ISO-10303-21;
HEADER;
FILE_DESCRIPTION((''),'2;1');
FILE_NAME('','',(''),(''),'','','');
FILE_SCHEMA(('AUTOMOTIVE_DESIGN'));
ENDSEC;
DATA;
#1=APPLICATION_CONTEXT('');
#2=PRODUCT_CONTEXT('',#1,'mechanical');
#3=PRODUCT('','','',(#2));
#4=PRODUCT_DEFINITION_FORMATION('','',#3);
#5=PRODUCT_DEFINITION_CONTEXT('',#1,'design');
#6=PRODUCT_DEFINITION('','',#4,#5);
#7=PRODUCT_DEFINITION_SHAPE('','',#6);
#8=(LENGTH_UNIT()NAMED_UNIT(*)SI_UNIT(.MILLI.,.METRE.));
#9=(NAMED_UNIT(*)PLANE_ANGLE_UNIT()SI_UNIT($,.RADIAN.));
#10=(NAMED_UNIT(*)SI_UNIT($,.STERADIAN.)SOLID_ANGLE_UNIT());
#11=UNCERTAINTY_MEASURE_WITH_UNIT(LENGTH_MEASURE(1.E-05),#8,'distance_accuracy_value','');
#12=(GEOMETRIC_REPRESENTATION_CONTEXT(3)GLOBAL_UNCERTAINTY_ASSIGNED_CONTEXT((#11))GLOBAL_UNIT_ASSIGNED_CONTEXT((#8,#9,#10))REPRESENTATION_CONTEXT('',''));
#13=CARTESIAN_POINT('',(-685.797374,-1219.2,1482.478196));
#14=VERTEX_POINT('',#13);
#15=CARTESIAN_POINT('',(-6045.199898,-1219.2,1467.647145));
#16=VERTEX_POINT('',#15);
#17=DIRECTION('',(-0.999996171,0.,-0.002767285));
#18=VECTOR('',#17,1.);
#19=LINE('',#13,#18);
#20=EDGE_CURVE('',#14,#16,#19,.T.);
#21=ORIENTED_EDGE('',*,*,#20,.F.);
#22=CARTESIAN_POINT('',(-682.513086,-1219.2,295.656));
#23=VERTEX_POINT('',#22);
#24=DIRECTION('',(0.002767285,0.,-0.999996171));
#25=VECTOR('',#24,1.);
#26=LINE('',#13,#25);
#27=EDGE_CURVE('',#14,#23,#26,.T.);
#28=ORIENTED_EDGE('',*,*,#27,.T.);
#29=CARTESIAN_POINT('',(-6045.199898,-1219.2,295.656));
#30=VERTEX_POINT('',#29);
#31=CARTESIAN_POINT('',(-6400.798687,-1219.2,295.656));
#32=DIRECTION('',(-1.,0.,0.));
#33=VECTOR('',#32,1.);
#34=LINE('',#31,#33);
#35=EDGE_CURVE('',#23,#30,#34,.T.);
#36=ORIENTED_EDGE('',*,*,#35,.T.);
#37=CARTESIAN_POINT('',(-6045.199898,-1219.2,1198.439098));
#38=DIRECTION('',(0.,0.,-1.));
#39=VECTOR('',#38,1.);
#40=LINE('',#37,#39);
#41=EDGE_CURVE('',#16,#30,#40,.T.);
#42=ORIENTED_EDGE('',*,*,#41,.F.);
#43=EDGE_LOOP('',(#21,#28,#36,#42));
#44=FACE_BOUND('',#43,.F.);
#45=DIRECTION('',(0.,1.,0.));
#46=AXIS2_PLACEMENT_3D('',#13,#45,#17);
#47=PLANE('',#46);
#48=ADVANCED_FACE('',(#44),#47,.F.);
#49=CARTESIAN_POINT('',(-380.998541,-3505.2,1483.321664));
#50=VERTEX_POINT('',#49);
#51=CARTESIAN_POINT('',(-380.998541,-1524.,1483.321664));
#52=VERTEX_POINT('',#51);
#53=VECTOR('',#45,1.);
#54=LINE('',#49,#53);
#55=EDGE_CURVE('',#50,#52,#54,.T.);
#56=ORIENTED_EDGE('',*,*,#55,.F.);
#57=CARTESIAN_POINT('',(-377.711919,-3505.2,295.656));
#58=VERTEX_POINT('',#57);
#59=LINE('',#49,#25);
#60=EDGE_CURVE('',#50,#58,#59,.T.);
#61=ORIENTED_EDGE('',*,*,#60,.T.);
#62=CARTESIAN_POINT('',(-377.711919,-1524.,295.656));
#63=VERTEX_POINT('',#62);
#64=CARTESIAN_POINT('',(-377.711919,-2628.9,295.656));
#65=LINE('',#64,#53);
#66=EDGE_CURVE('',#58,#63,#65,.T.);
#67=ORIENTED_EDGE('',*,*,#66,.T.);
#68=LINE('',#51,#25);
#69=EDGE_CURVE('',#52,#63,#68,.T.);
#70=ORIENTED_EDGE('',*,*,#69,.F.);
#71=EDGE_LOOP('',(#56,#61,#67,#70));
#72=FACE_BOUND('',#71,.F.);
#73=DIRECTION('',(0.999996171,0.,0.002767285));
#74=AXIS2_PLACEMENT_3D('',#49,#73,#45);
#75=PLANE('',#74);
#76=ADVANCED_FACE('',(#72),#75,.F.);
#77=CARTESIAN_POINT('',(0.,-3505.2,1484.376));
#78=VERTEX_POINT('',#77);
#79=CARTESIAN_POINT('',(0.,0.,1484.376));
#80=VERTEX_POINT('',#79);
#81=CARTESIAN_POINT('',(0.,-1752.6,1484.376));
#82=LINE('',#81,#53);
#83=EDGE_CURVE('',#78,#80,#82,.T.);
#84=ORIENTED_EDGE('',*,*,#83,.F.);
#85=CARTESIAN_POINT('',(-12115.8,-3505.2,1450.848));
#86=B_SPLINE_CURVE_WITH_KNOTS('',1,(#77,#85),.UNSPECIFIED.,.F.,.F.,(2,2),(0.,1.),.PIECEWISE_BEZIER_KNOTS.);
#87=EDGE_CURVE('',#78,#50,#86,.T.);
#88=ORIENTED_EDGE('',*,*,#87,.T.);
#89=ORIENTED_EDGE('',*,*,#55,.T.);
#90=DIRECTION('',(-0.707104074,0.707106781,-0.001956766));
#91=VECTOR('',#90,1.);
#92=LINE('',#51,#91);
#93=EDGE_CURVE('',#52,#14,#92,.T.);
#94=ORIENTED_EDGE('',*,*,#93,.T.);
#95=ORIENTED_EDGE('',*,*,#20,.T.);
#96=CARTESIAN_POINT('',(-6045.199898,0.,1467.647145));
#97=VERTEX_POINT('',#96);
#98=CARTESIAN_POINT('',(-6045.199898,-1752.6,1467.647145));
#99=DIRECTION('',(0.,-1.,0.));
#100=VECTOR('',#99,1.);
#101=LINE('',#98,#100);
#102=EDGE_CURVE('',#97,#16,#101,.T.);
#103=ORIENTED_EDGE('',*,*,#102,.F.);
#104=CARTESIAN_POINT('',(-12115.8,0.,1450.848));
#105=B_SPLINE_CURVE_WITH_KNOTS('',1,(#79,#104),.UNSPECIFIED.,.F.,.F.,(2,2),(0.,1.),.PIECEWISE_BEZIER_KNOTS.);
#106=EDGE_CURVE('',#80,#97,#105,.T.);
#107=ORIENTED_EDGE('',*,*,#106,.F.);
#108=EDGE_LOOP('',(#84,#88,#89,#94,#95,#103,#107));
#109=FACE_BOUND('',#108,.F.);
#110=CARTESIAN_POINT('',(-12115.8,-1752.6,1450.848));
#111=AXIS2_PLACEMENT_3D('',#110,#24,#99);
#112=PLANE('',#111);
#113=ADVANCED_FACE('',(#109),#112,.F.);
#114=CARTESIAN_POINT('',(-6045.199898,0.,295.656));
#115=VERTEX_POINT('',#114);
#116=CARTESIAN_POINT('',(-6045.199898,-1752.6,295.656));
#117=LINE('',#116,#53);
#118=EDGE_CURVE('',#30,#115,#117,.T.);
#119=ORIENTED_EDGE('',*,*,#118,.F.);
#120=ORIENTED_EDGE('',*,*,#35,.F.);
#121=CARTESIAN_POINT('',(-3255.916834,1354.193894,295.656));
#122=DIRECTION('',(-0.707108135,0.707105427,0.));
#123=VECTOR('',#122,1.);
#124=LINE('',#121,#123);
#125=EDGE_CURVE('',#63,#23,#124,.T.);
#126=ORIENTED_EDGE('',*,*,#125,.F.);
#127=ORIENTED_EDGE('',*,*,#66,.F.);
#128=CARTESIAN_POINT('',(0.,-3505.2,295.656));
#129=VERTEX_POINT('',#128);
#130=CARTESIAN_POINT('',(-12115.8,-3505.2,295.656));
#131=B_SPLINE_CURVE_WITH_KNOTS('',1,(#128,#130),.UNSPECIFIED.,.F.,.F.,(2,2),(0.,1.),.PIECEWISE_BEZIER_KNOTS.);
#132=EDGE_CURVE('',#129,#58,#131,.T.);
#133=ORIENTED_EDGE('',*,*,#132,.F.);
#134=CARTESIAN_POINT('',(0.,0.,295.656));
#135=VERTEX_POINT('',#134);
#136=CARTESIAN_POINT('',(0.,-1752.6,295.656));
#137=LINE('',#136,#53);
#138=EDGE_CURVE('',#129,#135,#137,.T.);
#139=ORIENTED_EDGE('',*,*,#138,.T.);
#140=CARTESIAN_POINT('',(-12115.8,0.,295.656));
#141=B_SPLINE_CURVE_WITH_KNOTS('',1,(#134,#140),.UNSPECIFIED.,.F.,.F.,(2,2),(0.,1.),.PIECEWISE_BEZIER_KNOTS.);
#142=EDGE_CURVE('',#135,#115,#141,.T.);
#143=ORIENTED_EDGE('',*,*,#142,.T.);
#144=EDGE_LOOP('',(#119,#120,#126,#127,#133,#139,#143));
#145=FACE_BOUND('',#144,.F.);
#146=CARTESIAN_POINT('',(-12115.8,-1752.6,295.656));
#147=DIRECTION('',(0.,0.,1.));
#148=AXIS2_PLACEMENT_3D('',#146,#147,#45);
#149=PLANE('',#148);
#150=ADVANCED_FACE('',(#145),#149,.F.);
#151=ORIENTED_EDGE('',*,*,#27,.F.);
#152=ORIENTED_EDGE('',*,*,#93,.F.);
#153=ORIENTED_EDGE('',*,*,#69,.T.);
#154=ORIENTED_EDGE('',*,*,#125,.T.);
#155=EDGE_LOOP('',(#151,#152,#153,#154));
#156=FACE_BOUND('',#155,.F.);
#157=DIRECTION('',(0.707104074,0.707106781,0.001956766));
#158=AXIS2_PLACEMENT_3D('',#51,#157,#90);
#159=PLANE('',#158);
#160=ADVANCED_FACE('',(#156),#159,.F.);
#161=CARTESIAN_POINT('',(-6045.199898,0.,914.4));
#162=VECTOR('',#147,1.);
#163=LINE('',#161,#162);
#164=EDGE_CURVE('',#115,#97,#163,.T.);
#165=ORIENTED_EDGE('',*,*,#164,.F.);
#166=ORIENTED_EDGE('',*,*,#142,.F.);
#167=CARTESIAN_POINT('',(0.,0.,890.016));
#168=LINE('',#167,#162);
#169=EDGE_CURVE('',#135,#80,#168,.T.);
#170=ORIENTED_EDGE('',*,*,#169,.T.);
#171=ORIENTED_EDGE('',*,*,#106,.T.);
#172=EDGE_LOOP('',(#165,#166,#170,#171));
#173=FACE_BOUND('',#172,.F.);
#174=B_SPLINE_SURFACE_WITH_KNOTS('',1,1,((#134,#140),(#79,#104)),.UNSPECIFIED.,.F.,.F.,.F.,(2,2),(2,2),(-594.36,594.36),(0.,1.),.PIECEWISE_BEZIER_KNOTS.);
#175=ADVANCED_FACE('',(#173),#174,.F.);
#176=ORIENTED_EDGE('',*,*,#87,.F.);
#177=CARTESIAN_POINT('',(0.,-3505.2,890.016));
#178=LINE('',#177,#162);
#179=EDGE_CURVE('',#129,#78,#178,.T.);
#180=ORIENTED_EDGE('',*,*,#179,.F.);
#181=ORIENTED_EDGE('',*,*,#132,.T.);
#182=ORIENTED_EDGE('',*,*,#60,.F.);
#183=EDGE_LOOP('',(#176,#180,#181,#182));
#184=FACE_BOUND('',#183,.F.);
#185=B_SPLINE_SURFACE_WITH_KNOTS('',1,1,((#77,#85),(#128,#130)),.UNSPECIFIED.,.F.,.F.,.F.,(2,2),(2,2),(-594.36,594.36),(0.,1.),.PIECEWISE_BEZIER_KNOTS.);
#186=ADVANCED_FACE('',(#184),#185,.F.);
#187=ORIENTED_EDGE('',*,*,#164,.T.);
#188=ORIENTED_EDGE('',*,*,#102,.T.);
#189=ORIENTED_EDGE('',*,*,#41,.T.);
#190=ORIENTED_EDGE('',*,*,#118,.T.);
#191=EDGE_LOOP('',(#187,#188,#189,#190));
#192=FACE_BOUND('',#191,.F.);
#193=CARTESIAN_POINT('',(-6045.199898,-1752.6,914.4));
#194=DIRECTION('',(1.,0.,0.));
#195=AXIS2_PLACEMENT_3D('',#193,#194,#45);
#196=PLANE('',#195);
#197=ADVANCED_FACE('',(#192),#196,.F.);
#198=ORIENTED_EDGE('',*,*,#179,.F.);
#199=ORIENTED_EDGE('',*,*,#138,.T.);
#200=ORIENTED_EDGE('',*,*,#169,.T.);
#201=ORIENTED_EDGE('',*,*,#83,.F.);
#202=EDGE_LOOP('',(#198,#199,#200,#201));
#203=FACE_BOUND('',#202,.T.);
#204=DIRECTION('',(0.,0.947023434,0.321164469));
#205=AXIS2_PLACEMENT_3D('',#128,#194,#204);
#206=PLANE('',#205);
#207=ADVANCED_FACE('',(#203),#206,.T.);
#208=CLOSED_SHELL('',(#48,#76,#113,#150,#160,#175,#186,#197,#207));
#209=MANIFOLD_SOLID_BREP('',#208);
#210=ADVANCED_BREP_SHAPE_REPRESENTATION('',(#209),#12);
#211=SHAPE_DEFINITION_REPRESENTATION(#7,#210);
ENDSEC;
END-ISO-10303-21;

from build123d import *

# Parameters (mm, degrees)
F0_W     = 3505.2
F0_H     = 1188.72
F2_W     = 3505.2
F2_H     = 1155.192
F5_DEPTH = 1187.6712120329
F7_W     = 3505.2
F7_H     = 1828.8
F8_DEPTH = 6070.6011017


with BuildPart() as f3:
    # F0 (on Right) → F3 section 0
    with BuildSketch(Plane.YZ):
        with Locations((-1752.6, 890.016)):
            Rectangle(F0_W, F0_H)
    # F2 (on offset) → F3 section 1
    with BuildSketch(Plane.YZ.offset(-12115.8)):
        with Locations((-1752.6, 873.252)):
            Rectangle(F2_W, F2_H)
    loft()

    # F4 (on face) → F5 (cut, through all)
    with BuildSketch(Plane(origin=(-4.1076757135, 0, 1484.3646328471), x_dir=(0.9999961711, 0, 0.002767285), z_dir=(-0.002767285, 0, 0.9999961711))):
        Polygon((-11730.7386994129, -1524), (-11730.7386994129, -3505.2), (-376.8923085584, -3505.2), (-376.8923085584, -1524), (-681.6923085584, -1219.2), (-11425.9386994129, -1219.2), align=None)
    extrude(amount=-F5_DEPTH, mode=Mode.SUBTRACT)

    # F7 (on offset) → F8 (cut, through all)
    with BuildSketch(Plane.YZ.offset(-6045.1998984)):
        with Locations((-1752.6, 914.4)):
            Rectangle(F7_W, F7_H)
    extrude(amount=-F8_DEPTH, mode=Mode.SUBTRACT)


solid = f3.part
